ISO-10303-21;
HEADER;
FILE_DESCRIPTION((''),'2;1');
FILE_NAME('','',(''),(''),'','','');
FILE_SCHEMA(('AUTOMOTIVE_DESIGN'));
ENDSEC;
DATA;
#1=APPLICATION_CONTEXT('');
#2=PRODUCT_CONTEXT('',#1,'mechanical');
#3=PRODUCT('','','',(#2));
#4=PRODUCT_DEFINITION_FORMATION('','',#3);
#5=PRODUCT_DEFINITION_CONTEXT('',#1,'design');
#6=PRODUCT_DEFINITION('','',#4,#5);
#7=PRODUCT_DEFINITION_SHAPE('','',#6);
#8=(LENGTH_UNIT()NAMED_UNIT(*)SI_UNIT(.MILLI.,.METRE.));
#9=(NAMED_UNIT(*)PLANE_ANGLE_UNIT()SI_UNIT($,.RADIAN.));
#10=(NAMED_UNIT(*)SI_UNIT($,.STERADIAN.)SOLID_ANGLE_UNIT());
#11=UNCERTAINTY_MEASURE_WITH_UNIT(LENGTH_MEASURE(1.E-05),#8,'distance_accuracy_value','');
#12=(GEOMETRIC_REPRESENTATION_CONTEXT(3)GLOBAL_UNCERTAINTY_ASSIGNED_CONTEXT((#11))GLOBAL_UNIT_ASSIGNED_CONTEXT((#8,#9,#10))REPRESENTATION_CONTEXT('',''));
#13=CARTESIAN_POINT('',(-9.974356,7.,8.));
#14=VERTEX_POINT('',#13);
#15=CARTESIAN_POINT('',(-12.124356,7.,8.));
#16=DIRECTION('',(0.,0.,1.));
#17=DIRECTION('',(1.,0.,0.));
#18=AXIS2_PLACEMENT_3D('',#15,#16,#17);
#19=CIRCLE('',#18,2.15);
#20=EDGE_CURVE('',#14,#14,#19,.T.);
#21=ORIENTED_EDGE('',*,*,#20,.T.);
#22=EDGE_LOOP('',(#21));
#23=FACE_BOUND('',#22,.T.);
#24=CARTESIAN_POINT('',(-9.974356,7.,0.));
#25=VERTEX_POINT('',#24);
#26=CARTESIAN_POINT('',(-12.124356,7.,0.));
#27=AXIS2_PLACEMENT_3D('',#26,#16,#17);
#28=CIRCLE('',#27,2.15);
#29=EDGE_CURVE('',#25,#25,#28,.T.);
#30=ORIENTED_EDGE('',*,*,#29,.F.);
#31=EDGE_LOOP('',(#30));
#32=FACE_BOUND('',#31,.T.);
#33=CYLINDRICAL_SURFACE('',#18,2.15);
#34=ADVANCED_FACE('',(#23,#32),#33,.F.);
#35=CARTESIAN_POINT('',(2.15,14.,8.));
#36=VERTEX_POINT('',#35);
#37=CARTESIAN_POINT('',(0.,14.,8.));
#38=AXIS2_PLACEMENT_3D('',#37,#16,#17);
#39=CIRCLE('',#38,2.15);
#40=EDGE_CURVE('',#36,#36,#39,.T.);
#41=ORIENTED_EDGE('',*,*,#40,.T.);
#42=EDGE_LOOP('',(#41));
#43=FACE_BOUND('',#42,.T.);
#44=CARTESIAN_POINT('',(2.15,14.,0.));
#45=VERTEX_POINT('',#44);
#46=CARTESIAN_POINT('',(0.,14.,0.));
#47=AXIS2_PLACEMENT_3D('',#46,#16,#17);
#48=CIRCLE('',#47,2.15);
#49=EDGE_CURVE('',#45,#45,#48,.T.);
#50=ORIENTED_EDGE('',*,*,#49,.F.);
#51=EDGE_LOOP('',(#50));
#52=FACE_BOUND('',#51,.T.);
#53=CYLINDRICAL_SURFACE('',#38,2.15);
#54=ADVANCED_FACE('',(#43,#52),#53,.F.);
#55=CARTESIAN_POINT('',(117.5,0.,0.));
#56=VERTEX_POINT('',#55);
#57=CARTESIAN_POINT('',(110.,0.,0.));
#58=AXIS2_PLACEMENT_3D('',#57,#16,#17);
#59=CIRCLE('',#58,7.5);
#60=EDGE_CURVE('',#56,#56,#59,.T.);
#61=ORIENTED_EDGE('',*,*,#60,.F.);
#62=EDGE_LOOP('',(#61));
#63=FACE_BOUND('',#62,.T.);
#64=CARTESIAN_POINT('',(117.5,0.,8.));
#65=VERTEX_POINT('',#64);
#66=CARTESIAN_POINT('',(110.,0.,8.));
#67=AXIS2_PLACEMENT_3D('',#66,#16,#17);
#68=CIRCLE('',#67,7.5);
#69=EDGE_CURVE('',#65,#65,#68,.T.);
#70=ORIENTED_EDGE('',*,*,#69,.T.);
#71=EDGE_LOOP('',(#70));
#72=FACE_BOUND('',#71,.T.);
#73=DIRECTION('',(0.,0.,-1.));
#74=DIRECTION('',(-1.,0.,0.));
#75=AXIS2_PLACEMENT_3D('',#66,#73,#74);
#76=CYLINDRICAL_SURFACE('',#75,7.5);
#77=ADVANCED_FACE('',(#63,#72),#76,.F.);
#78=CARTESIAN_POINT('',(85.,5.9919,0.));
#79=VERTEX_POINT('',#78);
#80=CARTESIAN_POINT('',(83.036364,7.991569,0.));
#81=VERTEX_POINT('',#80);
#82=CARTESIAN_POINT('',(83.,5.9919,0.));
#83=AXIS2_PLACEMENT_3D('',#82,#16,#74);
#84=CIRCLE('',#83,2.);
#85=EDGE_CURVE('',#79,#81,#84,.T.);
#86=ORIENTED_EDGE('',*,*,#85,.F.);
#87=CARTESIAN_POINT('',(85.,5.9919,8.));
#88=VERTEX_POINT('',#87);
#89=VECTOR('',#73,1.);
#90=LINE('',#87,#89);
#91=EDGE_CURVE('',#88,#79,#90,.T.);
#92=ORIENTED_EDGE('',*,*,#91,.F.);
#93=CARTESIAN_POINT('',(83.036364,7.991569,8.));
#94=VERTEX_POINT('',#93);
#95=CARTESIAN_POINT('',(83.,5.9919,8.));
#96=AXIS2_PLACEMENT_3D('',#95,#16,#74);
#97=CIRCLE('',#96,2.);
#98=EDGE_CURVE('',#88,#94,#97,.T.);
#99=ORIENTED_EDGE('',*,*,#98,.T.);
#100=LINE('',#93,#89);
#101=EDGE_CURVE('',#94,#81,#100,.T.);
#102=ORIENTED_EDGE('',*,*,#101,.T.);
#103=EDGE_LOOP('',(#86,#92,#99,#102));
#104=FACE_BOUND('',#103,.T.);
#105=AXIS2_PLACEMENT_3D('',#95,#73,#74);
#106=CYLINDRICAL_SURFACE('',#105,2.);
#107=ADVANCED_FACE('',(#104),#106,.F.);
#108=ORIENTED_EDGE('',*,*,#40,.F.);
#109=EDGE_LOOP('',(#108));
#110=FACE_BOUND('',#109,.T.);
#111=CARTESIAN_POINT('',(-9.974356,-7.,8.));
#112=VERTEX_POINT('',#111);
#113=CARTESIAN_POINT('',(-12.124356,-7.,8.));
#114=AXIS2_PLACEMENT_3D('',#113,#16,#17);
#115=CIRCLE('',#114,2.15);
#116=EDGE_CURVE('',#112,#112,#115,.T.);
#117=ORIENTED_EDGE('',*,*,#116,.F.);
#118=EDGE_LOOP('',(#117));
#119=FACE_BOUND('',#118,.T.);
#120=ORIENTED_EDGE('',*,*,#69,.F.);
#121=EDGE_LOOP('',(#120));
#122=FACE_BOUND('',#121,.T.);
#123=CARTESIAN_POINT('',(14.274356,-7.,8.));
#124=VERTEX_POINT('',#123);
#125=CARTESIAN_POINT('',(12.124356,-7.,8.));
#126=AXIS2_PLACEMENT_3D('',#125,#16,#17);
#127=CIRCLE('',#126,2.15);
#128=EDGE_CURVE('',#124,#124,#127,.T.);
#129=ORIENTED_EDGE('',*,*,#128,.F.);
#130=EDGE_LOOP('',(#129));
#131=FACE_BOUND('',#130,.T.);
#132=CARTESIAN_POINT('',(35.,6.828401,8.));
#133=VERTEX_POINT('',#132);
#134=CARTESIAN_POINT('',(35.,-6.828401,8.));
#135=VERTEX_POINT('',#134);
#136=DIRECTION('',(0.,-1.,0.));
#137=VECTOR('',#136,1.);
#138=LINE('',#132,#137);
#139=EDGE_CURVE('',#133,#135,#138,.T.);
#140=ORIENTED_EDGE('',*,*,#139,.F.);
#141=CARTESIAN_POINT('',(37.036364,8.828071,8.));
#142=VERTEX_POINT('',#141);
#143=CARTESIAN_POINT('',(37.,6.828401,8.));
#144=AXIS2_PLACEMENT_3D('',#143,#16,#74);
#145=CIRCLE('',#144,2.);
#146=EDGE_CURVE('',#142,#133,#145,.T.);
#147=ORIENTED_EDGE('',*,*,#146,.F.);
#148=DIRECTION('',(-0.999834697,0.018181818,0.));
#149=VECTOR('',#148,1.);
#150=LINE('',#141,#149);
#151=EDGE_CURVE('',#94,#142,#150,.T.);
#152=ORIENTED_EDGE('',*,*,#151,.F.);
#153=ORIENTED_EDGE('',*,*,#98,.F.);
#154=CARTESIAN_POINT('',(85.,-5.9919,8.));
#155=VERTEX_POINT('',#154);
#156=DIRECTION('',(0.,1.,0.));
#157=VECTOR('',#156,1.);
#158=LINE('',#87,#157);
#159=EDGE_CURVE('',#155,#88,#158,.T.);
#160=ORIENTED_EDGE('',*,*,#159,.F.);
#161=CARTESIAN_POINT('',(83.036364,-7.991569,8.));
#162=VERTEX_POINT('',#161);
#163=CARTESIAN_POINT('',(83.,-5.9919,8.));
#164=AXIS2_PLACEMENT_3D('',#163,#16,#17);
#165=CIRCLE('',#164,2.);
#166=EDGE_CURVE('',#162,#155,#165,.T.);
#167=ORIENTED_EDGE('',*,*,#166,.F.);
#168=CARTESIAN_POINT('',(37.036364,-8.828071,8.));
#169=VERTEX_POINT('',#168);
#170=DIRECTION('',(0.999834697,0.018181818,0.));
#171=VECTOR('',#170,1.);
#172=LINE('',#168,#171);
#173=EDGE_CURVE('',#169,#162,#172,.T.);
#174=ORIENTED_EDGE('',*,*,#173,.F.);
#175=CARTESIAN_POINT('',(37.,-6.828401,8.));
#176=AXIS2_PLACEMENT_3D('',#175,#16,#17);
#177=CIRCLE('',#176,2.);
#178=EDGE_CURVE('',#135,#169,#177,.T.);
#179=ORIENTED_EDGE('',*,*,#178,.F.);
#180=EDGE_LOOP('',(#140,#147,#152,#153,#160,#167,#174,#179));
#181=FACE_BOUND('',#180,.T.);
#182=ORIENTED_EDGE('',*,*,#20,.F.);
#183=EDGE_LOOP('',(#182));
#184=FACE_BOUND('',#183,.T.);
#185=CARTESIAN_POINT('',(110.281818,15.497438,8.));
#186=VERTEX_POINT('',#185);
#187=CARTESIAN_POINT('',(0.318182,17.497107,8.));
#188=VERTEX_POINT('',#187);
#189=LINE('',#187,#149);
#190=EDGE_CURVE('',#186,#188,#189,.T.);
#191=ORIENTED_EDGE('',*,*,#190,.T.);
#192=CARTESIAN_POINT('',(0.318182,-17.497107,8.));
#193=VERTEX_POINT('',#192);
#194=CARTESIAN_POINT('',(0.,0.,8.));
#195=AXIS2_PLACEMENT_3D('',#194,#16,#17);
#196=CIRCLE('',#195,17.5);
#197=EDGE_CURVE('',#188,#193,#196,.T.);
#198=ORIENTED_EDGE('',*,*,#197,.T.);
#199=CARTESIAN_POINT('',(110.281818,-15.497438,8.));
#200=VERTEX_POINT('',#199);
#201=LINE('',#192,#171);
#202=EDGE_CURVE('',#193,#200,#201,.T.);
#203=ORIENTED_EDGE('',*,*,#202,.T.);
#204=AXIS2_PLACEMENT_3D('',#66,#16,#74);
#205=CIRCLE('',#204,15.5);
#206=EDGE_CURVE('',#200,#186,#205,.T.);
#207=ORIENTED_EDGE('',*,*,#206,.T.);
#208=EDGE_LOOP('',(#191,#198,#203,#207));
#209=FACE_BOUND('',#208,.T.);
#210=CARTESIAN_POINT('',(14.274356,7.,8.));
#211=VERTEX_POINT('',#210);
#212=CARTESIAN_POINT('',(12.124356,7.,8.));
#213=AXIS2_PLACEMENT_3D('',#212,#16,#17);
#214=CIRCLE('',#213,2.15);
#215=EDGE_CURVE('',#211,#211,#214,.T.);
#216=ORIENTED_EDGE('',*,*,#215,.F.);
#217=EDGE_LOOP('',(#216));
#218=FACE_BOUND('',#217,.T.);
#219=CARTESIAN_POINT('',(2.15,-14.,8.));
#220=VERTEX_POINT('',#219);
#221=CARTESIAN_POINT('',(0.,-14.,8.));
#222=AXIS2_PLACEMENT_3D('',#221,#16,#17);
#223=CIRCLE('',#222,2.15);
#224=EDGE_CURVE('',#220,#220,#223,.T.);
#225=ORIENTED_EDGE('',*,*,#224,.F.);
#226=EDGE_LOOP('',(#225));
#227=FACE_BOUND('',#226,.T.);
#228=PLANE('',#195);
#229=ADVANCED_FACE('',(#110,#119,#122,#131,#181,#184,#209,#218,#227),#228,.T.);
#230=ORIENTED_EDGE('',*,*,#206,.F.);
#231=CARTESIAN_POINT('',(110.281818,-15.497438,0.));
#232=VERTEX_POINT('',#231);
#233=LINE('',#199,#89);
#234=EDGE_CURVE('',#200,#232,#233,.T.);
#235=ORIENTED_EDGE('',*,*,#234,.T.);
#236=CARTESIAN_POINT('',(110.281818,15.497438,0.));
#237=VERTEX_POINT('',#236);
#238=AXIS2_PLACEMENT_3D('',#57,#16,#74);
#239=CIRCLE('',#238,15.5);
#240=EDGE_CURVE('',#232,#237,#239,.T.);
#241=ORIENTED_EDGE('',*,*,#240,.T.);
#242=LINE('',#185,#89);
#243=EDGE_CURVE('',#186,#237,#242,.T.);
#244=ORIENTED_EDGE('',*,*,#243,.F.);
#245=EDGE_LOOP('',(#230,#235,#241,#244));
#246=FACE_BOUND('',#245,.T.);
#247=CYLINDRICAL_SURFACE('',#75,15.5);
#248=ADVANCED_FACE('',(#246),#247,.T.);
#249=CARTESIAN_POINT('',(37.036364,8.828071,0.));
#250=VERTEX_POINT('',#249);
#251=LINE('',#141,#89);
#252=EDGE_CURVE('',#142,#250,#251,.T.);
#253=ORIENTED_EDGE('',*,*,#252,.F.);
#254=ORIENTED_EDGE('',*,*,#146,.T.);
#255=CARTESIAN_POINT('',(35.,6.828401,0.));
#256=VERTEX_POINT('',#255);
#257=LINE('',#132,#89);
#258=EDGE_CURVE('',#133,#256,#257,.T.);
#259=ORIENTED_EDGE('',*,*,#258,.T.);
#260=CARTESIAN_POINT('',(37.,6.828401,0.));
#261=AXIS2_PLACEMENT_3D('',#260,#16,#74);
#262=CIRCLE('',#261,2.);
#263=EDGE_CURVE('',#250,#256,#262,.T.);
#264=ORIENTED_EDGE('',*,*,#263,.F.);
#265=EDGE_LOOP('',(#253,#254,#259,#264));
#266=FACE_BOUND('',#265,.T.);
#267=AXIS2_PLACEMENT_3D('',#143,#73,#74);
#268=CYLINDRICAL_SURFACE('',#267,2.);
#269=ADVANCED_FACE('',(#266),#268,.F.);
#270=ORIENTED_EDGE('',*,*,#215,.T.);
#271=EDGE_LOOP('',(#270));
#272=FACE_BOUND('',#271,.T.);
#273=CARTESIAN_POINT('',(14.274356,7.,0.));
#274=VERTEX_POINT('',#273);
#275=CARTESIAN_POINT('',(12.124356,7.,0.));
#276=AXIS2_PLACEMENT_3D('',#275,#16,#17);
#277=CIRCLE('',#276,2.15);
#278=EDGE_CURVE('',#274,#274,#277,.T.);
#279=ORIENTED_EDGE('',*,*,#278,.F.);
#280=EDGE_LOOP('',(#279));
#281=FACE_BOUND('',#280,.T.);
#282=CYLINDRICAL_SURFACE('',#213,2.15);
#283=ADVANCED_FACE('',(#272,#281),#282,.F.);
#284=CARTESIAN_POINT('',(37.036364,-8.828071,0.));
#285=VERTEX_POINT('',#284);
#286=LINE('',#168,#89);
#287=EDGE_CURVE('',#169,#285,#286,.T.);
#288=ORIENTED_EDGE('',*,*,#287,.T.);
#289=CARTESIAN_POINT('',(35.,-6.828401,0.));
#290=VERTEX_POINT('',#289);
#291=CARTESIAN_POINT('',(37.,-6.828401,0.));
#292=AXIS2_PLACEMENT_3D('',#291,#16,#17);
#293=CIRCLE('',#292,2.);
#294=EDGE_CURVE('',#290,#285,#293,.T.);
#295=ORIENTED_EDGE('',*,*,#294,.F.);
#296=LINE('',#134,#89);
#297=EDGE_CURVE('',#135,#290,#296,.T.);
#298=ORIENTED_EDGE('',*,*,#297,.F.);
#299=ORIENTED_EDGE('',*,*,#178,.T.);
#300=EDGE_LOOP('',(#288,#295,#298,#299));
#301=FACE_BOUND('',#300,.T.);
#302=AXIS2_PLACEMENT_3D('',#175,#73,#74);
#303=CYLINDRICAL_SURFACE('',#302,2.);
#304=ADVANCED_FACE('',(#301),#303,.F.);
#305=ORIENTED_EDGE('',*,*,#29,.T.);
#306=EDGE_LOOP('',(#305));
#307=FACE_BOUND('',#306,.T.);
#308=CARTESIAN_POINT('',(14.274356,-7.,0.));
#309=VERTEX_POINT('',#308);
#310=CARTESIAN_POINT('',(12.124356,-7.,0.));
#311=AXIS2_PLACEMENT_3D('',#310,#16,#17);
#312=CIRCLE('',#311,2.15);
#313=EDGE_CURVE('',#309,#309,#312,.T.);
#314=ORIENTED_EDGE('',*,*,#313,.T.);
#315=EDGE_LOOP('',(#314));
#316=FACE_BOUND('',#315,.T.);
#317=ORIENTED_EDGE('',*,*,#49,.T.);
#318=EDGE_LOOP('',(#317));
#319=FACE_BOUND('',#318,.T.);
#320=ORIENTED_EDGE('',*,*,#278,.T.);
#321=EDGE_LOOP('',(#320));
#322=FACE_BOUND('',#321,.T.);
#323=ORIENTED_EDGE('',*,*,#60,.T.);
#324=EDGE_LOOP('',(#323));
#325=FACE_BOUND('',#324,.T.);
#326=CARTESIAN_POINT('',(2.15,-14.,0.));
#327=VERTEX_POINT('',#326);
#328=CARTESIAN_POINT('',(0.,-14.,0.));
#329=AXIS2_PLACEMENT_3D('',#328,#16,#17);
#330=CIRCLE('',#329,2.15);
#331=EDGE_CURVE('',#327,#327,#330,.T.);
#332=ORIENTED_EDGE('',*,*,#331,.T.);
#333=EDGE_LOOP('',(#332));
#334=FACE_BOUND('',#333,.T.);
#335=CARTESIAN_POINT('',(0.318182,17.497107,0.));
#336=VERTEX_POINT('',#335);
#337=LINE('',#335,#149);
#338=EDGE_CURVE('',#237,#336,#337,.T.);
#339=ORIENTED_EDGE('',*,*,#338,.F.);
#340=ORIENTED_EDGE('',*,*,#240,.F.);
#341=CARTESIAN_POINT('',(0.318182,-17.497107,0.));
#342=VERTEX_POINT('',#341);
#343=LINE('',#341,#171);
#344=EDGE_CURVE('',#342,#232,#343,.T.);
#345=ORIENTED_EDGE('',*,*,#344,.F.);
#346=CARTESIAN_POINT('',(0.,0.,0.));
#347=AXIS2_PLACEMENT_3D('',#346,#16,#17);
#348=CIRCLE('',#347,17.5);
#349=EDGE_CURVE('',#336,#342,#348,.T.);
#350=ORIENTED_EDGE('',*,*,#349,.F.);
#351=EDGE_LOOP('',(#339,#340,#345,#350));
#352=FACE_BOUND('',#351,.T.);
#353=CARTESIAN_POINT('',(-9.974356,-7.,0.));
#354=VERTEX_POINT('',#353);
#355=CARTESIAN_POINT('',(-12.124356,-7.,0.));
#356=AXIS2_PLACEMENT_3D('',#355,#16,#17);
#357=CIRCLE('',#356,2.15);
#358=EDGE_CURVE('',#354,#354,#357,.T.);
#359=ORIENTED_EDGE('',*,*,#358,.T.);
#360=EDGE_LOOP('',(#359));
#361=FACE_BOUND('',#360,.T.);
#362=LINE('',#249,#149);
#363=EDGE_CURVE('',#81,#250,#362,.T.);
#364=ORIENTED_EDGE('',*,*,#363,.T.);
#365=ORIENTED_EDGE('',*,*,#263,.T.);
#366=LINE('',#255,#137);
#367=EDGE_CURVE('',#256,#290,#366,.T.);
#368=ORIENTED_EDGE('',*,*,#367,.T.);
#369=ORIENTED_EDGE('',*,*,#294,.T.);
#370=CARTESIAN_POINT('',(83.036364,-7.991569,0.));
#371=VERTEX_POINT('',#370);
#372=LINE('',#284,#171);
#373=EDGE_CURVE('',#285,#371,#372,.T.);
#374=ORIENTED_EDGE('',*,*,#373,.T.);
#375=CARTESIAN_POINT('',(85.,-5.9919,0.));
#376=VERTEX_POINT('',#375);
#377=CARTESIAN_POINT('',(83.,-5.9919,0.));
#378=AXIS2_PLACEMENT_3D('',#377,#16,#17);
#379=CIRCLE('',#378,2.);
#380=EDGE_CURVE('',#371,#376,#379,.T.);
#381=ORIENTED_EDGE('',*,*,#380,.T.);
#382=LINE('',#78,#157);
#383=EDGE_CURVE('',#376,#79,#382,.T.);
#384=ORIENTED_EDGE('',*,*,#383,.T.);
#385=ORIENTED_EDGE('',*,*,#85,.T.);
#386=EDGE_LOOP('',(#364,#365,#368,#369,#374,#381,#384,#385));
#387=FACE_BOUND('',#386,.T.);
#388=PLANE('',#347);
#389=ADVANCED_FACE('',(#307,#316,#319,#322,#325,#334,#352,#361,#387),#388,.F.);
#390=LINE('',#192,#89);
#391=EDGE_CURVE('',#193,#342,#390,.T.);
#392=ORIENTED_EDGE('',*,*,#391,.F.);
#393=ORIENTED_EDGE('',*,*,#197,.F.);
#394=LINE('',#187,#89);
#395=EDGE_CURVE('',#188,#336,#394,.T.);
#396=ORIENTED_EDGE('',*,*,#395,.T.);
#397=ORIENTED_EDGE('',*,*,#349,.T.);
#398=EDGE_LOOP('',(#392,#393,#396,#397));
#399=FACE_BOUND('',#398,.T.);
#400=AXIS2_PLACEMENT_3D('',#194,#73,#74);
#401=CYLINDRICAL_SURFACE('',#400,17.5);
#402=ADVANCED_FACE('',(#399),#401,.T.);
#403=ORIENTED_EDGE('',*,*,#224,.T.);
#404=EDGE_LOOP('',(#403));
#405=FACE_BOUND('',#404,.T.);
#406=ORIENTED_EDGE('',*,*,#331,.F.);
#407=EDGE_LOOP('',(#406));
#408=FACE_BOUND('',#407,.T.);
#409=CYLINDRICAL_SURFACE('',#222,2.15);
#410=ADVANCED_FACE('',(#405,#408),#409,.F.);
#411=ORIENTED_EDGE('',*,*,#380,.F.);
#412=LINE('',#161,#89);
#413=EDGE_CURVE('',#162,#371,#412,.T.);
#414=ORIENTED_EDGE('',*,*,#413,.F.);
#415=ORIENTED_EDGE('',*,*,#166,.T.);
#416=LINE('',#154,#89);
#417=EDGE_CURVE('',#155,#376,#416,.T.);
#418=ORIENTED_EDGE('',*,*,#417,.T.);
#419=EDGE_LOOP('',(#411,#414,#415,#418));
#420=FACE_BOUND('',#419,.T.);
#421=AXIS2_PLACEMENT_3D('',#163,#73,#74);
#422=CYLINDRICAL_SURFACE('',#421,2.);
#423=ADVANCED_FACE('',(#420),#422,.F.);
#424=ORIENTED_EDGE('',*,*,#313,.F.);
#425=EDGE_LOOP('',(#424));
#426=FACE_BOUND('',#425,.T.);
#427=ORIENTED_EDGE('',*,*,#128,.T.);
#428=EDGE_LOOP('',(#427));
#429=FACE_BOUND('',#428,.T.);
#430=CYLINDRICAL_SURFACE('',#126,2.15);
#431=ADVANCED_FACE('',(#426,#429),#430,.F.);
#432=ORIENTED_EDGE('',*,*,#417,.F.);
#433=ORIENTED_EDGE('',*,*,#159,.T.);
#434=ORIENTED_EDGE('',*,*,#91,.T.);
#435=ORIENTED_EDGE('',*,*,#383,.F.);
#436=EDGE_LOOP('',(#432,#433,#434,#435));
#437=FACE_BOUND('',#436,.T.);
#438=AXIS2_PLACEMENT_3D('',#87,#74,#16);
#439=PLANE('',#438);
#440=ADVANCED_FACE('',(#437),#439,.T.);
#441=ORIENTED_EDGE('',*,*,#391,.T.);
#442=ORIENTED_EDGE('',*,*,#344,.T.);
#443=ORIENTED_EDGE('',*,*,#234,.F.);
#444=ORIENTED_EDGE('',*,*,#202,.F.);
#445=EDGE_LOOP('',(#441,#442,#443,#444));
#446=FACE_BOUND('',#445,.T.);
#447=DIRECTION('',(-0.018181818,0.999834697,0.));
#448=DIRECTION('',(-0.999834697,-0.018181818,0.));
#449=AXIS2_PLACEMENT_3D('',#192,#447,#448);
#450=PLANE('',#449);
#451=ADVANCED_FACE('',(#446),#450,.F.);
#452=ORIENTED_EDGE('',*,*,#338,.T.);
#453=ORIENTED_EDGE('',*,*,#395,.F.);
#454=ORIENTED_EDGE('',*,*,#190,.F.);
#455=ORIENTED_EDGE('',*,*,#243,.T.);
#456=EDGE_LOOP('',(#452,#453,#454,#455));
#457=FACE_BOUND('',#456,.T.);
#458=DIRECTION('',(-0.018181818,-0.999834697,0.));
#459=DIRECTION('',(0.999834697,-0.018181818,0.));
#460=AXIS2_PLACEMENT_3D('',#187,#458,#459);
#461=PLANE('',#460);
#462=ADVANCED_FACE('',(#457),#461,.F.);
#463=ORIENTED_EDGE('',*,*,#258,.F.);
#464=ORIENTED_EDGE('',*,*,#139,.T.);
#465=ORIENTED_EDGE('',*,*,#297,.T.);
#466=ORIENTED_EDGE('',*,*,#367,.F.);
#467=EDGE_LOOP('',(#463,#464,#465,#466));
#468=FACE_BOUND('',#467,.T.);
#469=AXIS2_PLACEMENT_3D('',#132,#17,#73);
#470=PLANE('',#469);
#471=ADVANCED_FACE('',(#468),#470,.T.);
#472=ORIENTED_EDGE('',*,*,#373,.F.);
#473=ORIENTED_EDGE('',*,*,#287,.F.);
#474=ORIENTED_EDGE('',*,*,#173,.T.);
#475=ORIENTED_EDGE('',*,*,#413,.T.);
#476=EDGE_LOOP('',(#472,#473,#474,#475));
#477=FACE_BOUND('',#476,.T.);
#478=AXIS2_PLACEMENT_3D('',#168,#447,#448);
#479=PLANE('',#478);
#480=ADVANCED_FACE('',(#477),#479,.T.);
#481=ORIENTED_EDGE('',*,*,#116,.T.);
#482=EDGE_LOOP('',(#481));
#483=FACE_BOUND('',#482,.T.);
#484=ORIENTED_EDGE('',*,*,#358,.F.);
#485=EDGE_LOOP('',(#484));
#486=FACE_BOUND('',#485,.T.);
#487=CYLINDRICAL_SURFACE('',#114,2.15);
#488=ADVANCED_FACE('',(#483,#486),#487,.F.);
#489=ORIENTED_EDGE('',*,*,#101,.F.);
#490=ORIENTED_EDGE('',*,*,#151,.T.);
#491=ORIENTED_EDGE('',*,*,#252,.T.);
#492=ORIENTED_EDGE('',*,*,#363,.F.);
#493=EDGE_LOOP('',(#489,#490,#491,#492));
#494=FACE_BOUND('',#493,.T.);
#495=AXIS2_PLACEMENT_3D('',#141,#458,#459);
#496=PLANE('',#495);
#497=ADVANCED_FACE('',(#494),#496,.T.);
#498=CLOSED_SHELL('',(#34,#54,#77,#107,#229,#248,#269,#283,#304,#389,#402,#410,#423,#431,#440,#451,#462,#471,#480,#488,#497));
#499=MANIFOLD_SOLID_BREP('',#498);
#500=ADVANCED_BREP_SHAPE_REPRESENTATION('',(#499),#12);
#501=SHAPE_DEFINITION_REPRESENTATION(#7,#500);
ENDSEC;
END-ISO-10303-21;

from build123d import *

# Parameters (mm, degrees)
SKETCH1_R                = 7.5
BOSS_EXTRUDE1_DEPTH      = 8
M4_CLEARANCE_HOLE1_D     = 4.3
M4_CLEARANCE_HOLE1_DEPTH = 25
M4_CLEARANCE_HOLE1_TIP   = 1.291850331


with BuildPart() as part:
    # Sketch1 → Boss-Extrude1 (new body)
    with BuildSketch(Plane.XY):
        with BuildLine():
            Line((0.318181818, 17.497107199), (110.281818182, 15.497437805))
            ThreePointArc((110.281818182, 15.497437805), (125.5, 0), (110.281818182, -15.497437805))
            Line((110.281818182, -15.497437805), (0.318181818, -17.497107199))
            ThreePointArc((0.318181818, -17.497107199), (-17.5, 0), (0.318181818, 17.497107199))
        make_face()
        with Locations((110, 0)):
            Circle(SKETCH1_R, mode=Mode.SUBTRACT)
        with BuildLine():
            Line((35, 6.828401482), (35, -6.828401482))
            ThreePointArc((35, -6.828401482), (35.598701901, -8.255413618), (37.036363636, -8.828070876))
            Line((37.036363636, -8.828070876), (83.036363636, -7.991568964))
            ThreePointArc((83.036363636, -7.991568964), (84.427012136, -7.393197669), (85, -5.991899569))
            Line((85, -5.991899569), (85, 5.991899569))
            ThreePointArc((85, 5.991899569), (84.427012136, 7.393197669), (83.036363636, 7.991568964))
            Line((83.036363636, 7.991568964), (37.036363636, 8.828070876))
            ThreePointArc((37.036363636, 8.828070876), (35.598701901, 8.255413618), (35, 6.828401482))
        make_face(mode=Mode.SUBTRACT)
    extrude(amount=BOSS_EXTRUDE1_DEPTH)

    # M4 Clearance Hole1
    with Locations(Plane.XY.offset(8)):
        with Locations((12.124355653, 7), (0, 14), (-12.124355653, 7), (-12.124355653, -7), (0, -14), (12.124355653, -7)):
            Hole(M4_CLEARANCE_HOLE1_D / 2, depth=M4_CLEARANCE_HOLE1_DEPTH)
            with Locations((0, 0, -(M4_CLEARANCE_HOLE1_DEPTH + M4_CLEARANCE_HOLE1_TIP / 2))):  # 118° drill point
                Cone(0, M4_CLEARANCE_HOLE1_D / 2, M4_CLEARANCE_HOLE1_TIP, mode=Mode.SUBTRACT)


solid = part.part
